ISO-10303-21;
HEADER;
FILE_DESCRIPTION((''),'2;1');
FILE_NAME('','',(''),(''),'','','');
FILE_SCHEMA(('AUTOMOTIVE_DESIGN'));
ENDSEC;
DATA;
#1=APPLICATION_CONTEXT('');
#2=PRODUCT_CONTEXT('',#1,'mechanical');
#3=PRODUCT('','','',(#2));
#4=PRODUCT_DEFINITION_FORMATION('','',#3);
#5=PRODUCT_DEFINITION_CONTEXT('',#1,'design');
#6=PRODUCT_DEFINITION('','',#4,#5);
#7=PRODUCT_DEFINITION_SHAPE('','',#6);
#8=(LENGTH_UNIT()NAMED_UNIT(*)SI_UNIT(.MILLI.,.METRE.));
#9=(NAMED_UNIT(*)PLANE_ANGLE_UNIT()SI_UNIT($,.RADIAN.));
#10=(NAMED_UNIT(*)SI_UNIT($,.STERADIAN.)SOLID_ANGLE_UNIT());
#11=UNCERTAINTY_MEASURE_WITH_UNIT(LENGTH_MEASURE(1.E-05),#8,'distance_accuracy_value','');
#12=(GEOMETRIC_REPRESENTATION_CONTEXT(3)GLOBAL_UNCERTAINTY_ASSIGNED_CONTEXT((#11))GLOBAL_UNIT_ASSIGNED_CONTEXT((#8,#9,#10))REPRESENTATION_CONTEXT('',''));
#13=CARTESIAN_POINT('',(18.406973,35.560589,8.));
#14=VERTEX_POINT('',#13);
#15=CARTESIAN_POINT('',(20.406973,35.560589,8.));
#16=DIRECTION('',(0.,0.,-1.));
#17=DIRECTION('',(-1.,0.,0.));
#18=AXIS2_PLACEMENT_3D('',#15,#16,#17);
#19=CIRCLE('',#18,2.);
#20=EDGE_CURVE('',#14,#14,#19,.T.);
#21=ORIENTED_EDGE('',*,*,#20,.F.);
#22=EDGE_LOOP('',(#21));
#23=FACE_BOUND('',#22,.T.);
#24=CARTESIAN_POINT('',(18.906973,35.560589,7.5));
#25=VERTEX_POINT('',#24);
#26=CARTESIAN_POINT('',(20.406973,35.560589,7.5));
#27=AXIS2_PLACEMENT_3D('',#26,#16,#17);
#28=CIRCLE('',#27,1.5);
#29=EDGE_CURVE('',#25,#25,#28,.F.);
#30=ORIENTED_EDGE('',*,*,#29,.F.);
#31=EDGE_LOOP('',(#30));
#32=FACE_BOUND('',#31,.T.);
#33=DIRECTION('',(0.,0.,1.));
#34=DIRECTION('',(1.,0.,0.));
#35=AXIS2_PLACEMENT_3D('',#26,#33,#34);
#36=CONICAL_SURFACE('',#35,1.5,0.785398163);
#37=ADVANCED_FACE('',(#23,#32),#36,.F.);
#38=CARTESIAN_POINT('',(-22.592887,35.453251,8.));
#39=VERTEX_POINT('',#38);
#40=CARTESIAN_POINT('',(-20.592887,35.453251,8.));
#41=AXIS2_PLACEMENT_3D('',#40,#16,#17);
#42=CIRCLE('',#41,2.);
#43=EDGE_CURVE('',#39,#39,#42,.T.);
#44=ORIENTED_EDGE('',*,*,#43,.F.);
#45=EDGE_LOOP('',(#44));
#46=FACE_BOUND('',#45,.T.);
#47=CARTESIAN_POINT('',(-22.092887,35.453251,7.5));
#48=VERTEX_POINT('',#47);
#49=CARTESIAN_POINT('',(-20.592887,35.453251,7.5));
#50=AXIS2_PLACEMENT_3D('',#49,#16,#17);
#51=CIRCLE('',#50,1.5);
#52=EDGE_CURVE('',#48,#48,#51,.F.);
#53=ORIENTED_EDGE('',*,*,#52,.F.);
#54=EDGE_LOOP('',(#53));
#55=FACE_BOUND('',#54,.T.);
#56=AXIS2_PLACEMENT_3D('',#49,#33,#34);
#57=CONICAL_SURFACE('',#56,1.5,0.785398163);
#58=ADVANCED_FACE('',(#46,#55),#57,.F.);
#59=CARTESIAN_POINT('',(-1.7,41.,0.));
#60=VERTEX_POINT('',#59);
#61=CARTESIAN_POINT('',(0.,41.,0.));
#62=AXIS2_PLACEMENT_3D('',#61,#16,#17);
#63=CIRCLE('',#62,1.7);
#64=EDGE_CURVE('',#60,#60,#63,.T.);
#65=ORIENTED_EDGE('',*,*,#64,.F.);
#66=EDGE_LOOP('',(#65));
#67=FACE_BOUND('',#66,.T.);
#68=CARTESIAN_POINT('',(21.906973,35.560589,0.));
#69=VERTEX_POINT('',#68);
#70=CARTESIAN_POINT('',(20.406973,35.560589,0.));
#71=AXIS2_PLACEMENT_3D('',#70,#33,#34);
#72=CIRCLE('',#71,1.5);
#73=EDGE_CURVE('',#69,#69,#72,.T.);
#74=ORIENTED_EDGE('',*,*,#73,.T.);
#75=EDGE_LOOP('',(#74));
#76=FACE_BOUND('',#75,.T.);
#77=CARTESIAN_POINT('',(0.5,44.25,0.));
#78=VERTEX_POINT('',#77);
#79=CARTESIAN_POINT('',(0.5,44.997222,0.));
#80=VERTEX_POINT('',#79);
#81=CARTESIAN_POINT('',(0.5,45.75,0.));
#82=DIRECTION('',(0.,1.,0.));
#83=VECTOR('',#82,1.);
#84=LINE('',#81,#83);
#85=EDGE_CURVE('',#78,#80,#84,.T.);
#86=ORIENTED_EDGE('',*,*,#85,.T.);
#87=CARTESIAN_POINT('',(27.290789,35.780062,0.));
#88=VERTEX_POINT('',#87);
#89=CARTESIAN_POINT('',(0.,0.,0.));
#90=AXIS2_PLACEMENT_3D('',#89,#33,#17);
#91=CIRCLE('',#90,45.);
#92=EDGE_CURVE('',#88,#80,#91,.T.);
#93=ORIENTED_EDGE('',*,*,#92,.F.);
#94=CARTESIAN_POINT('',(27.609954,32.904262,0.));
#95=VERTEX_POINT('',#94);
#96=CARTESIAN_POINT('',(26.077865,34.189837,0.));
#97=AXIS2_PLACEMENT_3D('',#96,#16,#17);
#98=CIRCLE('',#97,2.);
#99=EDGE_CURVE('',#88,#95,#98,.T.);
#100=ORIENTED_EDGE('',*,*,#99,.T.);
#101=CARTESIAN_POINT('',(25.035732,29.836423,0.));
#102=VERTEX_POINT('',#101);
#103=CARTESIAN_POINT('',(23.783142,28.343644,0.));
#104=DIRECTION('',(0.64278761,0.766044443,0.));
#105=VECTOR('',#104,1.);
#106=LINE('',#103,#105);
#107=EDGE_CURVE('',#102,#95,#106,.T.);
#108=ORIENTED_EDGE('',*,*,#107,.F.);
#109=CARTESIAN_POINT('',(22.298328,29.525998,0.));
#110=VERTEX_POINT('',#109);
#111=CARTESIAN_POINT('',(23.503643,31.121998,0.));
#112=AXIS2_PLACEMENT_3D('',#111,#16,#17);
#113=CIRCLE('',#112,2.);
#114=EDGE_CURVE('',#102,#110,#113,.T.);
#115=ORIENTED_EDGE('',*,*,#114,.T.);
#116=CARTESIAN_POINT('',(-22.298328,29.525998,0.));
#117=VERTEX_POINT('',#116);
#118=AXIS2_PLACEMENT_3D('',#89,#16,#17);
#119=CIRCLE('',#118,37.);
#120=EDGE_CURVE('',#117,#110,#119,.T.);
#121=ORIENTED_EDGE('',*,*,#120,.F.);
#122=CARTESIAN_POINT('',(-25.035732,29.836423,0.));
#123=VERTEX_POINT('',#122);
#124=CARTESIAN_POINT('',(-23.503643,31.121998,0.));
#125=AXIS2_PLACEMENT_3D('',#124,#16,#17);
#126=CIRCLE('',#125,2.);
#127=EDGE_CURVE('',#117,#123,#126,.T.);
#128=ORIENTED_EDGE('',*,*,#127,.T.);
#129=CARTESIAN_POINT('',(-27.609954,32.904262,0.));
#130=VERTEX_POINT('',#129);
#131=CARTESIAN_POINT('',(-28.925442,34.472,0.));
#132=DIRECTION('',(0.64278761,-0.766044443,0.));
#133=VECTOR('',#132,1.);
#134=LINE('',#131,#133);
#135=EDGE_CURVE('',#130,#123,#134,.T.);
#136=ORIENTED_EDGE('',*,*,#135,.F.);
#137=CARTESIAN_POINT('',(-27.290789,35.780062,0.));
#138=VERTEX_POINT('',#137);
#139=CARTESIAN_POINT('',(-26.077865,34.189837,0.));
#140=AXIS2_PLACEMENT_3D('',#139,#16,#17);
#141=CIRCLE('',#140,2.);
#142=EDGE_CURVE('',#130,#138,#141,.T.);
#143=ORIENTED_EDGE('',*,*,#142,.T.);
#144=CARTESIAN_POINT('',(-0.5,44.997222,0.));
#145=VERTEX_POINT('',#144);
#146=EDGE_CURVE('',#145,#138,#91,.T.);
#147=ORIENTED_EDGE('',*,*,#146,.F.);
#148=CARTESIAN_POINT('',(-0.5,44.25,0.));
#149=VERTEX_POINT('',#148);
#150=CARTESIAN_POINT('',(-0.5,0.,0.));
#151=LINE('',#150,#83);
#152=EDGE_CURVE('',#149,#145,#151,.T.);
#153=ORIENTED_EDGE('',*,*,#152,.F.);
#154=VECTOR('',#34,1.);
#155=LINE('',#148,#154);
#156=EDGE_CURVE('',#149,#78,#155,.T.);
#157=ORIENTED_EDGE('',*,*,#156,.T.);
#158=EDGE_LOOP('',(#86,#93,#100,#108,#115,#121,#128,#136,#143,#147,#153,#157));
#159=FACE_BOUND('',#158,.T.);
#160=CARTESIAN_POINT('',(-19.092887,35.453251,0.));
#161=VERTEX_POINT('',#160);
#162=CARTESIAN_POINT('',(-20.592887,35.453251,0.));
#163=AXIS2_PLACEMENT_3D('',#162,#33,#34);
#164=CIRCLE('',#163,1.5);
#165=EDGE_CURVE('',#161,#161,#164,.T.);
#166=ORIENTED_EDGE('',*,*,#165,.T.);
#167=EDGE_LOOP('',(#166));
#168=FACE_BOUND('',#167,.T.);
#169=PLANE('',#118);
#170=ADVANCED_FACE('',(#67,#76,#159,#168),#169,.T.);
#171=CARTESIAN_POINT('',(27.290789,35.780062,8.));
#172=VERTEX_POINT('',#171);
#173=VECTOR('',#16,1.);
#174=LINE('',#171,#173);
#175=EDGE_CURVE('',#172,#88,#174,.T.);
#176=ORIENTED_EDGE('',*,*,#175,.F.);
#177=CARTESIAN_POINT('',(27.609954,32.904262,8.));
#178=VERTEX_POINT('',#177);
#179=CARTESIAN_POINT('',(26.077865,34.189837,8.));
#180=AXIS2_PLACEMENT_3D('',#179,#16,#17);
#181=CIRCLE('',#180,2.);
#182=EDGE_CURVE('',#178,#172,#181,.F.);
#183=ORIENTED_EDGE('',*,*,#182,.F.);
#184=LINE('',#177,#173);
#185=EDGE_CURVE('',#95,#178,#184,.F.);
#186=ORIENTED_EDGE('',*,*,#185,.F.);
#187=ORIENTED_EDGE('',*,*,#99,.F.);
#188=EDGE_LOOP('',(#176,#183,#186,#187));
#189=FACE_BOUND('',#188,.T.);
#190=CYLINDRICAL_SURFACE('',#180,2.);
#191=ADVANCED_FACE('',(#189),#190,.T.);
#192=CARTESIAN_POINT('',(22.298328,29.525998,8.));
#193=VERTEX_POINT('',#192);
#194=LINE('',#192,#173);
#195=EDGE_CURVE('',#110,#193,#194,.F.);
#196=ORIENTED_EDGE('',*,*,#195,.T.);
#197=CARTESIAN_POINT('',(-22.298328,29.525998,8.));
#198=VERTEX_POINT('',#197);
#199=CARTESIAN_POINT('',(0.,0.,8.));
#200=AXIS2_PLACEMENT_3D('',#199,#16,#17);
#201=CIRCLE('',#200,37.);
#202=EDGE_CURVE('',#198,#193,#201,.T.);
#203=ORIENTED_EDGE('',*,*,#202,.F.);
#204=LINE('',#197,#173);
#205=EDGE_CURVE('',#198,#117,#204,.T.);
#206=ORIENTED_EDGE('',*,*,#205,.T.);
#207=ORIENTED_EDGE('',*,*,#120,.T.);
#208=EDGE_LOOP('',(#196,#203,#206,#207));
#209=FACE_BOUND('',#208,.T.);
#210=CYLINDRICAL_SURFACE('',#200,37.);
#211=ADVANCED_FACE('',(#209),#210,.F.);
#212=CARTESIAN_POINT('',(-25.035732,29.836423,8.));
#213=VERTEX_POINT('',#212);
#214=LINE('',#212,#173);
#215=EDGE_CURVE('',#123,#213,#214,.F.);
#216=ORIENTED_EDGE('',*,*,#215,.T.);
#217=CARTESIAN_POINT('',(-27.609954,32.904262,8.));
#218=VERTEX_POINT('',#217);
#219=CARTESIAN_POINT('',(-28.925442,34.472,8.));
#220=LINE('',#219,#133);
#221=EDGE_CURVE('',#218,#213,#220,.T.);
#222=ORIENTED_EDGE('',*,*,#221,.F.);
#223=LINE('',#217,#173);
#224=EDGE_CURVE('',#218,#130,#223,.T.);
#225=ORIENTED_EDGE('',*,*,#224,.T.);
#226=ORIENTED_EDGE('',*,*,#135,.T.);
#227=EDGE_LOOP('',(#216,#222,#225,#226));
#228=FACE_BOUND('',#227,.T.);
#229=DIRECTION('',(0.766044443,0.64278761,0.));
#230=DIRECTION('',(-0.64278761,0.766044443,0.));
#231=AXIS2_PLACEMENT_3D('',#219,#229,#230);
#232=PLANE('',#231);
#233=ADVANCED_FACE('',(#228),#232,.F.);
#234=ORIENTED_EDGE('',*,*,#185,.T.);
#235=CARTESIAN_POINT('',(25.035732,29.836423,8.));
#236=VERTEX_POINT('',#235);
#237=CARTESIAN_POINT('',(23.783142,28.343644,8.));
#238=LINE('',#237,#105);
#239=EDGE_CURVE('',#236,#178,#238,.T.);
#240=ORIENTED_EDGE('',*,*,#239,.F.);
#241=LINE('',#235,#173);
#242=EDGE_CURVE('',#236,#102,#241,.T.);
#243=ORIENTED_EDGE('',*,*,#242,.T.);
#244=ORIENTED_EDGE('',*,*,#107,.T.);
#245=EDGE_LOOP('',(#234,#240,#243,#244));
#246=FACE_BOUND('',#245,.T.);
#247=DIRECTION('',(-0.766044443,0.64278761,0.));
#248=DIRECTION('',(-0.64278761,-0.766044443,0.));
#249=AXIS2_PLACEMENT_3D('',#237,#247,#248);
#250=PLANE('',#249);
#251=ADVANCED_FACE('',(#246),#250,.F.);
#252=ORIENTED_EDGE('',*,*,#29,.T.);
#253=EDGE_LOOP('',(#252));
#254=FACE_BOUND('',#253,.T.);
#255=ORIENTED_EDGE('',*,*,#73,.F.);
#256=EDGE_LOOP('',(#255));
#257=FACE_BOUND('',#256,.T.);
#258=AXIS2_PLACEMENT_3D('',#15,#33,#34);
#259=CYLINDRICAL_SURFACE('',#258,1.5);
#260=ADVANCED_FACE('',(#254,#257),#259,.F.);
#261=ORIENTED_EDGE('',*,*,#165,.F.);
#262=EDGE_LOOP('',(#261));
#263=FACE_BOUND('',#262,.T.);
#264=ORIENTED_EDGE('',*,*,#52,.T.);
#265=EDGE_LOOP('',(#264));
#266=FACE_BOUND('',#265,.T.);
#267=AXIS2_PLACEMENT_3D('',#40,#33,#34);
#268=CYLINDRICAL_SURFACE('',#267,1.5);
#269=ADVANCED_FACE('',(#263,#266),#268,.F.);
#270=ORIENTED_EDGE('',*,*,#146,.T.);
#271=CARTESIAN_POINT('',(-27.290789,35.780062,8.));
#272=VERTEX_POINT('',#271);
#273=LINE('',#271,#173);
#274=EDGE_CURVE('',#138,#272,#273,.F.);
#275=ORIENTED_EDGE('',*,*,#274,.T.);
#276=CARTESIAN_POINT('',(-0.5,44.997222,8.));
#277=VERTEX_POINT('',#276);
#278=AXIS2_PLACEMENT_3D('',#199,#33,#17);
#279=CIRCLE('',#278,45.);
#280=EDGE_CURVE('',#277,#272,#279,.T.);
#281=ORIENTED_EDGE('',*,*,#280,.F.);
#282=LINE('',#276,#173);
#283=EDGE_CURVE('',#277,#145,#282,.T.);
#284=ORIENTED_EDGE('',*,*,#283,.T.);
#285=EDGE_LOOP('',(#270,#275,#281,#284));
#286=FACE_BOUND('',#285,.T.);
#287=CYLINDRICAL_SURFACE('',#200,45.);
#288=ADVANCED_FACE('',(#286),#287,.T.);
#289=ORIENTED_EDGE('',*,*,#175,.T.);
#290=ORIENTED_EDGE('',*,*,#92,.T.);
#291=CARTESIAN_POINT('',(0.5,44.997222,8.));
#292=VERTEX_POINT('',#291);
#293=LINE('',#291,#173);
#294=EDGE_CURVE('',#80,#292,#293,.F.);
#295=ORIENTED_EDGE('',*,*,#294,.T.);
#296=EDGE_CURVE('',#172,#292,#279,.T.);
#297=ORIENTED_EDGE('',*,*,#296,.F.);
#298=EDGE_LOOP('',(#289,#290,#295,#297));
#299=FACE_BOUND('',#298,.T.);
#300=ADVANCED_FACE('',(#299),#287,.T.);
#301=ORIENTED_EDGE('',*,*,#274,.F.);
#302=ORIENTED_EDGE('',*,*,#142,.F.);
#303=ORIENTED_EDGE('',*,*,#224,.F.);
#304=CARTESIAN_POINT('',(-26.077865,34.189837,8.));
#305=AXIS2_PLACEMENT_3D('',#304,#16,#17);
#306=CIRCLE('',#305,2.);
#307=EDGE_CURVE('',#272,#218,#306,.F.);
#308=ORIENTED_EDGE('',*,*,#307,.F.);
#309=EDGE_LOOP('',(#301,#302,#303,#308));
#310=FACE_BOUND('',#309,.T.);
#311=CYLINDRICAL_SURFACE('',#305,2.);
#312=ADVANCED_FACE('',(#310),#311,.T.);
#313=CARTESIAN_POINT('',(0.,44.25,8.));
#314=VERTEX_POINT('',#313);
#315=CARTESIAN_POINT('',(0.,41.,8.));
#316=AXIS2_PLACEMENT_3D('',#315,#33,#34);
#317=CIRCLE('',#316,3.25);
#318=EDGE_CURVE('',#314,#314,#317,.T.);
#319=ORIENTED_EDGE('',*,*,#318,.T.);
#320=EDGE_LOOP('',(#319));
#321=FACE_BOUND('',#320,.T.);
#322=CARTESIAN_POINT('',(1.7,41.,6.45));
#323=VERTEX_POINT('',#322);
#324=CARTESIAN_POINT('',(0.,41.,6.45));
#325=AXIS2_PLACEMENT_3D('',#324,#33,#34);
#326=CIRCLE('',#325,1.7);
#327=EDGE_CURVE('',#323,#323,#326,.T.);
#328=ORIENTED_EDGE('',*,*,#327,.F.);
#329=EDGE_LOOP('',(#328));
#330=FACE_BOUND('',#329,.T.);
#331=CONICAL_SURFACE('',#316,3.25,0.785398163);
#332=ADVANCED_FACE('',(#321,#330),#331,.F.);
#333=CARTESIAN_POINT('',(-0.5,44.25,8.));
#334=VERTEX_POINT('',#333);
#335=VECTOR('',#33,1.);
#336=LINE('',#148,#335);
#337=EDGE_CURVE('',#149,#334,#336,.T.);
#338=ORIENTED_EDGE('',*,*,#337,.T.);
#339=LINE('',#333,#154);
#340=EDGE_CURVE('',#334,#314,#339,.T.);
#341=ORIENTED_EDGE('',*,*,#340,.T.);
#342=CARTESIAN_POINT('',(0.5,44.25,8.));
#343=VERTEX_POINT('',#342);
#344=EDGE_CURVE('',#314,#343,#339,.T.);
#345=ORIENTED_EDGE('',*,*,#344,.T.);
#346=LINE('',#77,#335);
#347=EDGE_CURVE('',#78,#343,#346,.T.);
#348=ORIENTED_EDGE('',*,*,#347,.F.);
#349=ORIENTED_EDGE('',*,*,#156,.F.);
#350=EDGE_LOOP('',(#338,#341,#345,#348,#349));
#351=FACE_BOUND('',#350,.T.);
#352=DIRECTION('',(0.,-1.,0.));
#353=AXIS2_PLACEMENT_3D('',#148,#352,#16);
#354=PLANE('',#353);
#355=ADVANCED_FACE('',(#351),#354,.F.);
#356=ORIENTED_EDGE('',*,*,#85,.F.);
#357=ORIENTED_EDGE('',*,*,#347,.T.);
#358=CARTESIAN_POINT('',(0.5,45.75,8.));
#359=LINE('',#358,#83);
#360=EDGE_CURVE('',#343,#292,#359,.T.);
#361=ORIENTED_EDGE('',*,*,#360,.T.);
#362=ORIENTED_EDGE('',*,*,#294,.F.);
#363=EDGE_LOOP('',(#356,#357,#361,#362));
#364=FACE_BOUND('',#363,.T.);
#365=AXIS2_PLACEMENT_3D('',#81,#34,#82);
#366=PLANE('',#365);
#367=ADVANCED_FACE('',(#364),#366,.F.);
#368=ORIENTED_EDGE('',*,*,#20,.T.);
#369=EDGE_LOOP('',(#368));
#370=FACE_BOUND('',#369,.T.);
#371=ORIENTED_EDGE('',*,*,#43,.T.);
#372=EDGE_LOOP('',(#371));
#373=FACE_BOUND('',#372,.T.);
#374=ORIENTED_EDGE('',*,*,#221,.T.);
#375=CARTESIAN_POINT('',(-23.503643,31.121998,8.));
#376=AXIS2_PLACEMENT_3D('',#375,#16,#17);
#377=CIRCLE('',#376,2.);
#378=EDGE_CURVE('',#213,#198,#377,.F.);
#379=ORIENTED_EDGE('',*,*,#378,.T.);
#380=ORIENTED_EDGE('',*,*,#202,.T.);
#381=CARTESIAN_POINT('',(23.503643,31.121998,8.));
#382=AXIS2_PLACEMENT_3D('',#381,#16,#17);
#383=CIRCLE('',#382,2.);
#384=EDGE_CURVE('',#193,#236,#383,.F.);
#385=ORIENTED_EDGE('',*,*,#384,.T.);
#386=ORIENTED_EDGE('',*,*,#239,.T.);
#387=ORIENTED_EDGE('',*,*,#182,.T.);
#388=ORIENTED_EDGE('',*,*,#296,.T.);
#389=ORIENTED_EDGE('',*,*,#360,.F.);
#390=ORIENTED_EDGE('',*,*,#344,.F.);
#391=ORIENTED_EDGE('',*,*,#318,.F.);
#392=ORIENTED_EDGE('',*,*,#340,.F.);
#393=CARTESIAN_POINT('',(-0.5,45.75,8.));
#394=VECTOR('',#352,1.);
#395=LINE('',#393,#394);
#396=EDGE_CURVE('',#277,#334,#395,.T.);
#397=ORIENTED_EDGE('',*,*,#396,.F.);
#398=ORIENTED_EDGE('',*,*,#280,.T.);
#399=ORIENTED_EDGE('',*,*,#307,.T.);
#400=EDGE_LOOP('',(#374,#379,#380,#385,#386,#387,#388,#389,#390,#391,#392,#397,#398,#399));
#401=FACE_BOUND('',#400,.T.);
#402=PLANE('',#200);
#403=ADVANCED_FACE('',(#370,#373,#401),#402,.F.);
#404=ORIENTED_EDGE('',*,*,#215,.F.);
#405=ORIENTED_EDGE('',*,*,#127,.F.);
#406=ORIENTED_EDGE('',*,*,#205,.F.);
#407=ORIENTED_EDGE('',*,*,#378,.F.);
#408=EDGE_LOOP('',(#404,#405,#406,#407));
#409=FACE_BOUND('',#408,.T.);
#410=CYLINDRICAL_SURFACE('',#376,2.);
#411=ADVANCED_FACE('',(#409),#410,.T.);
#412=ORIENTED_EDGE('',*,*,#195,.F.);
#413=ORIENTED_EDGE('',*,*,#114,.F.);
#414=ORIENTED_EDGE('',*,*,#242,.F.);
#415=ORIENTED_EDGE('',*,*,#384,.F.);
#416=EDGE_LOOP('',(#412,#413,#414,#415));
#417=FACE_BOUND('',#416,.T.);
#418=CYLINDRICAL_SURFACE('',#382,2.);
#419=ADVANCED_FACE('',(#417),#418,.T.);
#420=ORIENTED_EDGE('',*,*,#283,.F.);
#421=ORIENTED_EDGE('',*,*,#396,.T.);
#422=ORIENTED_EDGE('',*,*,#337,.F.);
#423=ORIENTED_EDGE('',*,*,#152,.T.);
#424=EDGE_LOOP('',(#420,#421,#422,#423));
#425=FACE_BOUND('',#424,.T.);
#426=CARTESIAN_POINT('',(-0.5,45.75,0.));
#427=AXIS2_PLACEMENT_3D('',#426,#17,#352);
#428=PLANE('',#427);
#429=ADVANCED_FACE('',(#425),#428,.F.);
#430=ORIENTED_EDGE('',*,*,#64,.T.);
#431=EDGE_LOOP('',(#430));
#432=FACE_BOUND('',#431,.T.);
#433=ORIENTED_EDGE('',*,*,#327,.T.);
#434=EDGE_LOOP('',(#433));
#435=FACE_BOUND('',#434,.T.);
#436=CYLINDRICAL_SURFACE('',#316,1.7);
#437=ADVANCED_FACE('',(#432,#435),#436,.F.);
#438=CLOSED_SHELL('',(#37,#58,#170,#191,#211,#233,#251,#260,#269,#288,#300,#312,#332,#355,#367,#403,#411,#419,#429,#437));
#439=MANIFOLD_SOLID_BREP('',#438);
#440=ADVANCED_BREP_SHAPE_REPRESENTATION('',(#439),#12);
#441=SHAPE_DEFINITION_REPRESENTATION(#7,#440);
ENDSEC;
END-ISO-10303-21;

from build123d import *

# Parameters (mm, degrees)
EXTRUDE_1_DEPTH           = 8
HOLE_WIZARD_1_D           = 3.4
HOLE_WIZARD_1_DEPTH       = 10
HOLE_WIZARD_1_CSINK_D     = 6.5
HOLE_WIZARD_1_CSINK_ANGLE = 90
HOLE_WIZARD_1_TIP         = 1.021463052
FILLET_1_R                = 2
MM_2_D                    = 3
CHAMFER_1_SIZE            = 0.5
SKETCH_7_W                = 1
SKETCH_7_H                = 1.5
CUT_EXTRUDE_1_DEPTH       = 54.641089712


with BuildPart() as part:
    # 草图1 → 凸台-拉伸1 (new body)
    with BuildSketch(Plane.XY):
        with BuildLine():
            Line((-28.925442436, 34.47199994), (-23.783141558, 28.343644395))
            ThreePointArc((-23.783141558, 28.343644395), (0, 37), (23.783141558, 28.343644395))
            Line((23.783141558, 28.343644395), (28.925442436, 34.47199994))
            ThreePointArc((28.925442436, 34.47199994), (0, 45), (-28.925442436, 34.47199994))
        make_face()
    extrude(amount=EXTRUDE_1_DEPTH)

    # 打孔尺寸(%根据)内六角花形半沉头螺钉的类型1
    with Locations(Plane.XY.offset(8)):
        with Locations((0, 41)):
            CounterSinkHole(HOLE_WIZARD_1_D / 2, HOLE_WIZARD_1_CSINK_D / 2, depth=HOLE_WIZARD_1_DEPTH, counter_sink_angle=HOLE_WIZARD_1_CSINK_ANGLE)
            with Locations((0, 0, -(HOLE_WIZARD_1_DEPTH + HOLE_WIZARD_1_TIP / 2))):  # 118° drill point
                Cone(0, HOLE_WIZARD_1_D / 2, HOLE_WIZARD_1_TIP, mode=Mode.SUBTRACT)

    # 圆角1
    fillet_1_edges = [part.edges().sort_by_distance(p)[0] for p in [
        (-23.783141558, 28.343644395, 4),
        (-28.925442436, 34.47199994, 4),
        (28.925442436, 34.47199994, 4),
        (23.783141558, 28.343644395, 4),
    ]]
    fillet(fillet_1_edges, radius=FILLET_1_R)

    # 大小mm 暗销孔2 (through all)
    with Locations(Plane.XY.offset(8)):
        with Locations((20.406972636, 35.560588688), (-20.592886859, 35.453251061)):
            Hole(MM_2_D / 2)

    # 倒角1
    chamfer_1_edges = [part.edges().sort_by_distance(p)[0] for p in [
        (21.906972636, 35.560588688, 8),
        (-19.092886859, 35.453251061, 8),
    ]]
    chamfer(chamfer_1_edges, length=CHAMFER_1_SIZE)

    # 草图7 → 切除-拉伸1 (cut, through all)
    with BuildSketch(Plane.XY.offset(8)):
        with Locations((0, 45)):
            Rectangle(SKETCH_7_W, SKETCH_7_H)
    extrude(amount=-CUT_EXTRUDE_1_DEPTH, mode=Mode.SUBTRACT)


solid = part.part
